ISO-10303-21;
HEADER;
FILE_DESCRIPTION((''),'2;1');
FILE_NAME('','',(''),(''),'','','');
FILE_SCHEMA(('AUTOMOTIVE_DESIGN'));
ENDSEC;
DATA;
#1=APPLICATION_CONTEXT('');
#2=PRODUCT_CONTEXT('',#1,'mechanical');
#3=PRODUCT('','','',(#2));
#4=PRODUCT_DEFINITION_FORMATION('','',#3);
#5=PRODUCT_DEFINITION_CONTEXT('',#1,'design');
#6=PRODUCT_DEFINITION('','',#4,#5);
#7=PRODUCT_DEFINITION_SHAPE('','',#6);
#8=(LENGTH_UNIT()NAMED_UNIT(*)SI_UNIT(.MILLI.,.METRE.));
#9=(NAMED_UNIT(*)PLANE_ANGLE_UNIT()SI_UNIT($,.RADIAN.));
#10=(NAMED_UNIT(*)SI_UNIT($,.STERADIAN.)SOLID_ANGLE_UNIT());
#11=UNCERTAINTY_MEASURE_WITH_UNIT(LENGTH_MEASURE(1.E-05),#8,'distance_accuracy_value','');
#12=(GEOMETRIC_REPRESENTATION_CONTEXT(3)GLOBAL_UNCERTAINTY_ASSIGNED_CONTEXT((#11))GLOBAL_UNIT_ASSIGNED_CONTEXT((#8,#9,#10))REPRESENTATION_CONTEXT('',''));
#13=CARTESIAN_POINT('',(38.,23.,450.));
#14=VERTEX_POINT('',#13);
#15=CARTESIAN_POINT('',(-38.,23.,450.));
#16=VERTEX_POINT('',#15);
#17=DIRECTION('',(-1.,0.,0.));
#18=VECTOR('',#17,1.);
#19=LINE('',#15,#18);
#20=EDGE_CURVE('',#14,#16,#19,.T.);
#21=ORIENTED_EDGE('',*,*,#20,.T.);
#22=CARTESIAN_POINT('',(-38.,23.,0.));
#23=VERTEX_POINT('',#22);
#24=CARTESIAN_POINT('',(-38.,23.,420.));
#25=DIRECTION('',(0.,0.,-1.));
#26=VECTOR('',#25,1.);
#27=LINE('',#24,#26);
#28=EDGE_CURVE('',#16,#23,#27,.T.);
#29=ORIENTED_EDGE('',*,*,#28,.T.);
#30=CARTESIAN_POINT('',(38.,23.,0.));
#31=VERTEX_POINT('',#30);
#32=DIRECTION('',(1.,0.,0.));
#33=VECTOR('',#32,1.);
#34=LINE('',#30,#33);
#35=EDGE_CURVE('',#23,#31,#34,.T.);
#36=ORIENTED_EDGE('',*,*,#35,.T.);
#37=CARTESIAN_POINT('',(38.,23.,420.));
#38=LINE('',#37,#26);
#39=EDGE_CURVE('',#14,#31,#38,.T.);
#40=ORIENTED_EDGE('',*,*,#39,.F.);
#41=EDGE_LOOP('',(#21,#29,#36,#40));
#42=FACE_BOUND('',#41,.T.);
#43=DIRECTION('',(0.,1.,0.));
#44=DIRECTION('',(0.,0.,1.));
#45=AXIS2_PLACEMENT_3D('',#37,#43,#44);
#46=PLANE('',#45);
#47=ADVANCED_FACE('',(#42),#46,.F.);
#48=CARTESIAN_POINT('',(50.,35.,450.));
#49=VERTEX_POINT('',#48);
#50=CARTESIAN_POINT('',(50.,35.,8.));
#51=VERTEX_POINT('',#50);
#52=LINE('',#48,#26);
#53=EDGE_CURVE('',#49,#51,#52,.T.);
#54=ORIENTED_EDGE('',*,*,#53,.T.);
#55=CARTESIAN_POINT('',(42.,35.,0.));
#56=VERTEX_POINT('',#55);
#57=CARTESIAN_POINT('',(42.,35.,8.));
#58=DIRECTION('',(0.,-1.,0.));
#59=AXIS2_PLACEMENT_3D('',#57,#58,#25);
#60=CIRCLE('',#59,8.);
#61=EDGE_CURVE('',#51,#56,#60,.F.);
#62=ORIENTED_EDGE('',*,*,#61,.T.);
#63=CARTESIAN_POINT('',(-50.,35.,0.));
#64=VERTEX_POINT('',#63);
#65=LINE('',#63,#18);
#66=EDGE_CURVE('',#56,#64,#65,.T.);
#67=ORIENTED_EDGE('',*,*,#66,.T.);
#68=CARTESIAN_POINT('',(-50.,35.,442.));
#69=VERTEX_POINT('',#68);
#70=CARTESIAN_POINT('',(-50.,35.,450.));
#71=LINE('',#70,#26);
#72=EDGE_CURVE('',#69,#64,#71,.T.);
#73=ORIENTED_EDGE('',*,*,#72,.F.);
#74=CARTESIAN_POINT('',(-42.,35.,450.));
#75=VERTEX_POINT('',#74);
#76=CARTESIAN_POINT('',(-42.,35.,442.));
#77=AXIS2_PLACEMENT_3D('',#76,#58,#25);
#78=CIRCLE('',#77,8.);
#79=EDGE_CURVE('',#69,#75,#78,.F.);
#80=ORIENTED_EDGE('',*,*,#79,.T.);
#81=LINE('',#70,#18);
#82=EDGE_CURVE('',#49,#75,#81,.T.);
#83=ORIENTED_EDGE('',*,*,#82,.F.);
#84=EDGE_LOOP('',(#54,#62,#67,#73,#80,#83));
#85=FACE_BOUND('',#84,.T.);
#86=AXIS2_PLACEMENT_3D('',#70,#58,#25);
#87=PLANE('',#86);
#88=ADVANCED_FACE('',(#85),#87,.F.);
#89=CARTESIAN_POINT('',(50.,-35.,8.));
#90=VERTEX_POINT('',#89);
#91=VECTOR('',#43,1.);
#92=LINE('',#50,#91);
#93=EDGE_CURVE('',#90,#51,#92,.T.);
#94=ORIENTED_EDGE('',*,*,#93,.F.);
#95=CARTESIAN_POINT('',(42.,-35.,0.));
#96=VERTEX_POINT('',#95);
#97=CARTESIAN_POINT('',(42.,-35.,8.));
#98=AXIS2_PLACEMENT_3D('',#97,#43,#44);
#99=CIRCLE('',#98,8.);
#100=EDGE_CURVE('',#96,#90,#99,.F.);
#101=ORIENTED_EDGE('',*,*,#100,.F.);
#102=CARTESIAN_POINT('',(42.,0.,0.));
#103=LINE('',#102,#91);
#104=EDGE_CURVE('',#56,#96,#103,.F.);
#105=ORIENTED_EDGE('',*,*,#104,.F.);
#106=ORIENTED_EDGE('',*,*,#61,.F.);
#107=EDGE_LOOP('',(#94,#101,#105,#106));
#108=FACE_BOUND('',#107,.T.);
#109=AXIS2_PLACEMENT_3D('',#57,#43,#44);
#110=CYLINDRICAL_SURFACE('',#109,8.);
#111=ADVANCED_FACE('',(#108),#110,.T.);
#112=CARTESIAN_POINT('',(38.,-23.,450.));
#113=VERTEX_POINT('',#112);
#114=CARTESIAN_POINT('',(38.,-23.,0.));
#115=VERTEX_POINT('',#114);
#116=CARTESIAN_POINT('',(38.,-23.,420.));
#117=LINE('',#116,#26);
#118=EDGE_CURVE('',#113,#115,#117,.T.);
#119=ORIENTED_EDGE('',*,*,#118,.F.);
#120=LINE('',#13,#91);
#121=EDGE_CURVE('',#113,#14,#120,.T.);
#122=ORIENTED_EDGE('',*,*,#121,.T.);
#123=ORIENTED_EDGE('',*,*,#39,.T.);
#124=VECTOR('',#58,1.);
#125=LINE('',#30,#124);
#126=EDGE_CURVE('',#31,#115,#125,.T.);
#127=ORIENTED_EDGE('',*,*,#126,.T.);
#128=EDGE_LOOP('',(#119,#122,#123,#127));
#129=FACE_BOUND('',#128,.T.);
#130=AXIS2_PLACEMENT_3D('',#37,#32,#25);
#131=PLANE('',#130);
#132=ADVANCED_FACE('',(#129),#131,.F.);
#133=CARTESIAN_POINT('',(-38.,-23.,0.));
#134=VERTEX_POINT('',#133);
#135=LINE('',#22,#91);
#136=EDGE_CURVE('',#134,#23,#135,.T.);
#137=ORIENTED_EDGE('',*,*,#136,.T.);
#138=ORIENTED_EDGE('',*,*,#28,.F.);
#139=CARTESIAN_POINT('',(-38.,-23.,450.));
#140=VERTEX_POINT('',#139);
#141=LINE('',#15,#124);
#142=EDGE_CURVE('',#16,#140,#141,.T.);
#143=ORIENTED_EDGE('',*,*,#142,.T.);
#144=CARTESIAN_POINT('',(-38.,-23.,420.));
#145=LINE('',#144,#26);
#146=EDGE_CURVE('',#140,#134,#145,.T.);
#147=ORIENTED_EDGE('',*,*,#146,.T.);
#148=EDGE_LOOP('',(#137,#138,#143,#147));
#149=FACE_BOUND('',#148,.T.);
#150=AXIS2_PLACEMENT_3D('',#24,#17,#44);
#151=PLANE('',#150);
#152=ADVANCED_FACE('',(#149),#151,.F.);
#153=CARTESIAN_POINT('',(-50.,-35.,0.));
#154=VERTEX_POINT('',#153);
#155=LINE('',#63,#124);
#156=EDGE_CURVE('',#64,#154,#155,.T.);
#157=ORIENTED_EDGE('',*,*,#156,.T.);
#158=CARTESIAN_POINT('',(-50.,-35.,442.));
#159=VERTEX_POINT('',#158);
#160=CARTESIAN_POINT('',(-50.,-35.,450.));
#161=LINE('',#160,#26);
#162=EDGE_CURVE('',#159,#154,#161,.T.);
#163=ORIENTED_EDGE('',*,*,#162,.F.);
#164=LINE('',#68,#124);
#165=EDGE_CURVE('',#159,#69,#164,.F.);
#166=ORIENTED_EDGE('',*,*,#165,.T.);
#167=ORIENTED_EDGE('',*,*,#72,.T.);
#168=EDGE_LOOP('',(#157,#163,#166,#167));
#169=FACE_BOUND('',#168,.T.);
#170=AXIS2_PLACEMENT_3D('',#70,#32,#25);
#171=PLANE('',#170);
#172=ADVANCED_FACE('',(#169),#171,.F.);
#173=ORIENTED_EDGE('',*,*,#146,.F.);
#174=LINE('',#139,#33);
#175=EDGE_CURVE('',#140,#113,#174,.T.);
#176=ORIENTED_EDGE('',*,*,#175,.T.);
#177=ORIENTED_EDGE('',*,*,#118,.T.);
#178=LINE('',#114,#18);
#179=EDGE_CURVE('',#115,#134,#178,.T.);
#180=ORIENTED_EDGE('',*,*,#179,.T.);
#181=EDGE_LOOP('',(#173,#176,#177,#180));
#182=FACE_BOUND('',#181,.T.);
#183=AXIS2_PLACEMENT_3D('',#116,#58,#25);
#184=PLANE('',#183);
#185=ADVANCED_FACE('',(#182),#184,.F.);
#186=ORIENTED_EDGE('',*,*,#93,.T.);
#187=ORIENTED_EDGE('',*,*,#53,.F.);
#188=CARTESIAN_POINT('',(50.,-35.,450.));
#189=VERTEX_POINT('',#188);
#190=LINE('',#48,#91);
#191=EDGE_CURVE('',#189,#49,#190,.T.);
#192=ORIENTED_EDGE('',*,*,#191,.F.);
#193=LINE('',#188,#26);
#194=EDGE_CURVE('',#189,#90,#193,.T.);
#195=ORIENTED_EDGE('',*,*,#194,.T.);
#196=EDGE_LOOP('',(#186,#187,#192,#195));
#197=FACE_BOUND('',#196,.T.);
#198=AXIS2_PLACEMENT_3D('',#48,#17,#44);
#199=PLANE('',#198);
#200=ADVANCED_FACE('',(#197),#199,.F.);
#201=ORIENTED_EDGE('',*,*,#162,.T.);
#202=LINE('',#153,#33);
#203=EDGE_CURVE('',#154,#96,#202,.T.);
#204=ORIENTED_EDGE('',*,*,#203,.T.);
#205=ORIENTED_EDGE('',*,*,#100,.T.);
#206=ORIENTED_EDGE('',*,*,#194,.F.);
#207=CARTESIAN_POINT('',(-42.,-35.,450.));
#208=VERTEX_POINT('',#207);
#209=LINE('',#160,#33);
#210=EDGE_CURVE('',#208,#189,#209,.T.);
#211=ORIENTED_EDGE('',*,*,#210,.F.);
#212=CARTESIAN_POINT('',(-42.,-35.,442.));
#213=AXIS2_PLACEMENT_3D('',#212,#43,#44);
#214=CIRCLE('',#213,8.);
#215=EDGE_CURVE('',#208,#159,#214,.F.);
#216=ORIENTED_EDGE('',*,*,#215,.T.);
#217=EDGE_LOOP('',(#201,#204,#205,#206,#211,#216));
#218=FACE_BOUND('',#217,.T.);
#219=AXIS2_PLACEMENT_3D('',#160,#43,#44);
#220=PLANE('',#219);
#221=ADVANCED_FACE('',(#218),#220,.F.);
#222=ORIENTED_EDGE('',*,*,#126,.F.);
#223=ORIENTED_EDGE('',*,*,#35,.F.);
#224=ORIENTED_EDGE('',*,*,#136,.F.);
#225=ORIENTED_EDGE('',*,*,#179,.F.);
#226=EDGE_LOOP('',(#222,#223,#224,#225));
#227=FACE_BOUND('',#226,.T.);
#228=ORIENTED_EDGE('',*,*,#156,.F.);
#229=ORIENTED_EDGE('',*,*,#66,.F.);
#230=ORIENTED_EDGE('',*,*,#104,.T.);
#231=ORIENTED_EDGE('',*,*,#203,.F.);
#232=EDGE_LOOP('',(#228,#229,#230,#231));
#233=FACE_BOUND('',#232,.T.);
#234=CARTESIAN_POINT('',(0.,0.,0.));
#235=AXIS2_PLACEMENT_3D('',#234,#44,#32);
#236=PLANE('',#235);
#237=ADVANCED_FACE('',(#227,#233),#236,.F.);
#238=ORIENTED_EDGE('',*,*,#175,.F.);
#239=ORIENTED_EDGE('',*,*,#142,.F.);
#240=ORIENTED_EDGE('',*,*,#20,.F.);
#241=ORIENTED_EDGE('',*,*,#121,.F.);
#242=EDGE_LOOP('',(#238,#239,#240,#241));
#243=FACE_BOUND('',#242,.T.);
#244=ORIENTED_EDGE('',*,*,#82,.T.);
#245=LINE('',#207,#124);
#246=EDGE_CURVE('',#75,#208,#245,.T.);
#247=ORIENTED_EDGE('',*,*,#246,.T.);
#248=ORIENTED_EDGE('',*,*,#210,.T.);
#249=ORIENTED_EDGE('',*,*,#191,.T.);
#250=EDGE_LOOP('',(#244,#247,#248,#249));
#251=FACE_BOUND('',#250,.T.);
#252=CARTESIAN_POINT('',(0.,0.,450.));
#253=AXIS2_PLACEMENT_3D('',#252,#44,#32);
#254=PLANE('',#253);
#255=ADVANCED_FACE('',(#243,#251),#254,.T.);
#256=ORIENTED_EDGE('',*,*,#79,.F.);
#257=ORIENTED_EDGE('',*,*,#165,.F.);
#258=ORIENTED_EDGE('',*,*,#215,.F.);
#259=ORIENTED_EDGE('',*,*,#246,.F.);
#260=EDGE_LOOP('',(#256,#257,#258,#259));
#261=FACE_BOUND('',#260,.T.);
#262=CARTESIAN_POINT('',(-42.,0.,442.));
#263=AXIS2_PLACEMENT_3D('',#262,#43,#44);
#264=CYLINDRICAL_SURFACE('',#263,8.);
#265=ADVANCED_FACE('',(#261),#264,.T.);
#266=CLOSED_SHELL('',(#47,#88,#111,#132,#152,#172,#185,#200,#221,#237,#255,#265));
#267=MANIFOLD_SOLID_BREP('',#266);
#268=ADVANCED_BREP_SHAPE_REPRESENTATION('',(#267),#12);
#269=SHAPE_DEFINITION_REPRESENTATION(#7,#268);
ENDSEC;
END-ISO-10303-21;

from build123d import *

# Parameters (mm, degrees)
SKETCH_2_W          = 100
SKETCH_2_H          = 70
EXTRUDE_1_DEPTH     = 450
SKETCH_3_W          = 76
SKETCH_3_H          = 46
CUT_EXTRUDE_1_DEPTH = 420
SKETCH_4_W          = 76
SKETCH_4_H          = 46
CUT_EXTRUDE_2_DEPTH = 30
FILLET_1_R          = 8
FILLET_3_R          = 8


with BuildPart() as part:
    # 草图2 → 凸台-拉伸1 (new body)
    with BuildSketch(Plane.XY):
        Rectangle(SKETCH_2_W, SKETCH_2_H)
    extrude(amount=EXTRUDE_1_DEPTH)

    # 草图3 → 切除-拉伸1 (cut)
    with BuildSketch(Plane(origin=(0, 0, 0), x_dir=(-1, 0, 0), z_dir=(0, 0, -1))):
        Rectangle(SKETCH_3_W, SKETCH_3_H)
    extrude(amount=-CUT_EXTRUDE_1_DEPTH, mode=Mode.SUBTRACT)

    # 草图4 → 切除-拉伸2 (cut)
    with BuildSketch(Plane.XY.offset(450)):
        Rectangle(SKETCH_4_W, SKETCH_4_H)
    extrude(amount=-CUT_EXTRUDE_2_DEPTH, mode=Mode.SUBTRACT)

    # 圆角1
    fillet_1_edges = [part.edges().sort_by_distance(p)[0] for p in [
        (50, 0, 0),
    ]]
    fillet(fillet_1_edges, radius=FILLET_1_R)

    # 圆角3
    fillet_3_edges = [part.edges().sort_by_distance(p)[0] for p in [
        (-50, 0, 450),
    ]]
    fillet(fillet_3_edges, radius=FILLET_3_R)


solid = part.part
